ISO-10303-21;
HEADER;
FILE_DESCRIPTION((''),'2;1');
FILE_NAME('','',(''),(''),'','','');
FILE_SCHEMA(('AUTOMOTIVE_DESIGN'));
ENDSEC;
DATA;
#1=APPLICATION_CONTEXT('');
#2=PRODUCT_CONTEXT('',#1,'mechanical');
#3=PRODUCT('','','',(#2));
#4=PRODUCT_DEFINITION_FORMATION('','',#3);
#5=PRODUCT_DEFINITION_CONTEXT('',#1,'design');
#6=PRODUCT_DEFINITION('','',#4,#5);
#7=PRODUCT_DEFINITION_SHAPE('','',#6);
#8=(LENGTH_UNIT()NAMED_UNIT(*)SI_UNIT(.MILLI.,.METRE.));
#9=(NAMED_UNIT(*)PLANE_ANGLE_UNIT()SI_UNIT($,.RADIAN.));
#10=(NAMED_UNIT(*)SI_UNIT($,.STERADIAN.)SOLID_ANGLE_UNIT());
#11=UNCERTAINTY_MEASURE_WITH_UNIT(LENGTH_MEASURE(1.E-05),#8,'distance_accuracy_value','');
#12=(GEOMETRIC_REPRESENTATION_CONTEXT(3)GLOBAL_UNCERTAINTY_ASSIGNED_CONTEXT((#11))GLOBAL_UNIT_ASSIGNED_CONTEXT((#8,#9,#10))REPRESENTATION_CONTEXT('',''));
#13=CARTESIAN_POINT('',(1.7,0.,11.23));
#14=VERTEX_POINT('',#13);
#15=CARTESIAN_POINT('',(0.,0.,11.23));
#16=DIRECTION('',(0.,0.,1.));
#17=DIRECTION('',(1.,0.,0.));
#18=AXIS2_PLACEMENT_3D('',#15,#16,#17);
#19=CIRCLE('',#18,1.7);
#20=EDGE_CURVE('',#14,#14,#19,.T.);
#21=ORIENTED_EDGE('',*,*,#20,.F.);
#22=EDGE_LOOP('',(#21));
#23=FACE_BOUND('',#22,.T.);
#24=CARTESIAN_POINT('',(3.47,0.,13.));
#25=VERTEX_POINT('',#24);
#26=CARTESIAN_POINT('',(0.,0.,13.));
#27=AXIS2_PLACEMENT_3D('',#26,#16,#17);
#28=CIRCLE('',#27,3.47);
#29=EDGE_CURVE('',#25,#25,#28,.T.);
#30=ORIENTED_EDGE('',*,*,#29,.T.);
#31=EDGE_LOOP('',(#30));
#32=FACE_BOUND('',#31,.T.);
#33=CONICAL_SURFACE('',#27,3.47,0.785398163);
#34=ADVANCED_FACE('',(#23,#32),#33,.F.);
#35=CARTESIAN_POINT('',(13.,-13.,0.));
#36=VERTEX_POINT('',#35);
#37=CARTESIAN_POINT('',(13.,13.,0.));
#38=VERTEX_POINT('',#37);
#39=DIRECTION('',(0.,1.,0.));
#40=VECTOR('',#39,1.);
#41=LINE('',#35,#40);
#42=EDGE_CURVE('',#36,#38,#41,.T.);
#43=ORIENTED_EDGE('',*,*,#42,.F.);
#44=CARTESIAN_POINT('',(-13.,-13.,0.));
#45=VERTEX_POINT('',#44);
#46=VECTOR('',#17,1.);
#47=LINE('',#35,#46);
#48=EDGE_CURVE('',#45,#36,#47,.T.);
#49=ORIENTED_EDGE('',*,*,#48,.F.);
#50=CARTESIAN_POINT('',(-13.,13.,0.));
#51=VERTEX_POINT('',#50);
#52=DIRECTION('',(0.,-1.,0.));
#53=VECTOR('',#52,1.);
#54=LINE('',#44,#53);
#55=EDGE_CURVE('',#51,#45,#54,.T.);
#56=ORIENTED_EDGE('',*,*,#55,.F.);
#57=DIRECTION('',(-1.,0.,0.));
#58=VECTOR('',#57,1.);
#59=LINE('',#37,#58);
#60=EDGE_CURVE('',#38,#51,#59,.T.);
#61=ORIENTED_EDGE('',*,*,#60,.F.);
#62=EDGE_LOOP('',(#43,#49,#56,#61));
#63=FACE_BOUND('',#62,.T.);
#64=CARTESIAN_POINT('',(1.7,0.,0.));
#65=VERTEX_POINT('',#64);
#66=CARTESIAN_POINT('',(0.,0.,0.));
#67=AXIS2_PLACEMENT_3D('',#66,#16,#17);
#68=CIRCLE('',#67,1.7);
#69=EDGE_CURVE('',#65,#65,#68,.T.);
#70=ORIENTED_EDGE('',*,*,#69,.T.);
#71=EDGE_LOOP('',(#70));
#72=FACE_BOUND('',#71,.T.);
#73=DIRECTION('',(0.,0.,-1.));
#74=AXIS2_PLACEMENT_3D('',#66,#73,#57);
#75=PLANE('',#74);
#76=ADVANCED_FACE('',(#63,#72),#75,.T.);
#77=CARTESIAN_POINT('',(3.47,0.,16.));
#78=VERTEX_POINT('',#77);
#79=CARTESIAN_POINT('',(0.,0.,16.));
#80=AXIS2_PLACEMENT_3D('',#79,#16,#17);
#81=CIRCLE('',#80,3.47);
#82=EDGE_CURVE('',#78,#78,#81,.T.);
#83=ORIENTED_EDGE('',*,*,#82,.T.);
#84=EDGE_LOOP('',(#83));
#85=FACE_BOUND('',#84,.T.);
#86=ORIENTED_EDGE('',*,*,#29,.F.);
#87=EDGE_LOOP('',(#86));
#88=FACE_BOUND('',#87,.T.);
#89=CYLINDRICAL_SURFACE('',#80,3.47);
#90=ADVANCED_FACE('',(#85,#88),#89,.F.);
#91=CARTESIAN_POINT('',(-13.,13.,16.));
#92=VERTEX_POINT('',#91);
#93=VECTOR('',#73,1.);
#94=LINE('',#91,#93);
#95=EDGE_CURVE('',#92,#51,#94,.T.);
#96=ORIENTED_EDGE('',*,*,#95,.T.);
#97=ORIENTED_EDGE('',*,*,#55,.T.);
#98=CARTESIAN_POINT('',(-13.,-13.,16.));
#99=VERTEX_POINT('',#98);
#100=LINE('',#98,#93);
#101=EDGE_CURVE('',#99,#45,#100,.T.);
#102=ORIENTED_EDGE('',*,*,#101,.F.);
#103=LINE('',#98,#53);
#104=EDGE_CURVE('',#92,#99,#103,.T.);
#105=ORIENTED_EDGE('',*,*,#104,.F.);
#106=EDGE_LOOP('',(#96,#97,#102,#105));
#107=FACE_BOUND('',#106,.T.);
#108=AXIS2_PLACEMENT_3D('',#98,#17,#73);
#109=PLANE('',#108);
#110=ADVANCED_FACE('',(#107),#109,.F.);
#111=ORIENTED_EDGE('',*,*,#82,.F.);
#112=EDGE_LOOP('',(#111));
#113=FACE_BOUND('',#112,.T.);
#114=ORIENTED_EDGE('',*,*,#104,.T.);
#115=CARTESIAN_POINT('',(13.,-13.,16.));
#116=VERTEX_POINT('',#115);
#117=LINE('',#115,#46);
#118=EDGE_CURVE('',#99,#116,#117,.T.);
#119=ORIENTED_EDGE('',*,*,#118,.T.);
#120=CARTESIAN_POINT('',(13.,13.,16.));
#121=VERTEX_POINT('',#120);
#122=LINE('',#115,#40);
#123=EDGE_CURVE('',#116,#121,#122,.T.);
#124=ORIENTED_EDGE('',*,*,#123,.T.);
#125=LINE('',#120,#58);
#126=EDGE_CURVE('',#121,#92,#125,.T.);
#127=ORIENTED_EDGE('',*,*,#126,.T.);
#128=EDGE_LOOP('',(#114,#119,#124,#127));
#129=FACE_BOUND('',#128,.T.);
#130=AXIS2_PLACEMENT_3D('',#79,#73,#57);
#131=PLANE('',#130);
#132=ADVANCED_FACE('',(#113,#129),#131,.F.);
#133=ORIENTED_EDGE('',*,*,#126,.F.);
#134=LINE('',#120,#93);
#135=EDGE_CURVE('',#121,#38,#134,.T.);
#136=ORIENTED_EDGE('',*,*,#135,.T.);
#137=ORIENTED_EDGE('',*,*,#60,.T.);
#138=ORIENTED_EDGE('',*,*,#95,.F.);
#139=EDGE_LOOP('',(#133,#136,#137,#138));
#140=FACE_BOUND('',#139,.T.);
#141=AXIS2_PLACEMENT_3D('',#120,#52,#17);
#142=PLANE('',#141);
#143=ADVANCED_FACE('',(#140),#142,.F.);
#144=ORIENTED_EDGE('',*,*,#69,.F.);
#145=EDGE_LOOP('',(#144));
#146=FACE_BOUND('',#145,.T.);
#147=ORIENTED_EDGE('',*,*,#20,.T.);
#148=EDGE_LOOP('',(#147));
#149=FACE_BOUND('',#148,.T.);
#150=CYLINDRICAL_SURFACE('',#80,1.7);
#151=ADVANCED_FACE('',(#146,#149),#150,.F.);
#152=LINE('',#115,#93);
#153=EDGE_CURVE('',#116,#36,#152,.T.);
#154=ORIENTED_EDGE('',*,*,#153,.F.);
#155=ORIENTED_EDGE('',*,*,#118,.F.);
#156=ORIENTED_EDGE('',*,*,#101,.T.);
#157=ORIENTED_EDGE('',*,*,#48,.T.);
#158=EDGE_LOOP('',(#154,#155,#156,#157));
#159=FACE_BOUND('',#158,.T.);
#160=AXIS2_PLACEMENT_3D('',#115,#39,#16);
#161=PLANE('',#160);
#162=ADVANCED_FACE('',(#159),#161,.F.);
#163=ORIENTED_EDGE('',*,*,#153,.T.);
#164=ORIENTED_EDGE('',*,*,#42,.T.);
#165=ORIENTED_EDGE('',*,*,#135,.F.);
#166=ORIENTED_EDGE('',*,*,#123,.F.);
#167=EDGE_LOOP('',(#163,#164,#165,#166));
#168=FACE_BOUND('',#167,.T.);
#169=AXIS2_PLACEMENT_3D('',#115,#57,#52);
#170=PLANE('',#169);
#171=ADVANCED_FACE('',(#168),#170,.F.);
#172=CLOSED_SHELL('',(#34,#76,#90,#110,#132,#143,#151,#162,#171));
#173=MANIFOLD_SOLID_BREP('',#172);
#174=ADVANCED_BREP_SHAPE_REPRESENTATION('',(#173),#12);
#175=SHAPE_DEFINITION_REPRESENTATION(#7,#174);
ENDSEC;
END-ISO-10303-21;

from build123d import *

# Parameters (mm, degrees)
SKIZZE2_W                       = 26
SKIZZE2_H                       = 26
AUFSATZ_LINEAR_AUSTRAGEN1_DEPTH = 16


with BuildPart() as part:
    # Skizze2 → Aufsatz-Linear austragen1 (new body)
    with BuildSketch(Plane(origin=(0, 0, 0), x_dir=(0, 1, 0), z_dir=(0, 0, 1))):
        Rectangle(SKIZZE2_W, SKIZZE2_H)
    extrude(amount=AUFSATZ_LINEAR_AUSTRAGEN1_DEPTH)

    # Skizze5 → Formsenkung für M3 Senkschraube mit Innensechskant1 (revolve, cut)
    with BuildSketch(Plane(origin=(0, 0, 16), x_dir=(0, -1, 0), z_dir=(1, 0, 0))):
        Polygon((0, 0), (0, 16), (1.7, 16), (1.7, 4.77), (3.47, 3), (3.47, 0), align=None)
    revolve(axis=Axis((0, 0, 22.35), (0, 0, -1)), mode=Mode.SUBTRACT)


solid = part.part
